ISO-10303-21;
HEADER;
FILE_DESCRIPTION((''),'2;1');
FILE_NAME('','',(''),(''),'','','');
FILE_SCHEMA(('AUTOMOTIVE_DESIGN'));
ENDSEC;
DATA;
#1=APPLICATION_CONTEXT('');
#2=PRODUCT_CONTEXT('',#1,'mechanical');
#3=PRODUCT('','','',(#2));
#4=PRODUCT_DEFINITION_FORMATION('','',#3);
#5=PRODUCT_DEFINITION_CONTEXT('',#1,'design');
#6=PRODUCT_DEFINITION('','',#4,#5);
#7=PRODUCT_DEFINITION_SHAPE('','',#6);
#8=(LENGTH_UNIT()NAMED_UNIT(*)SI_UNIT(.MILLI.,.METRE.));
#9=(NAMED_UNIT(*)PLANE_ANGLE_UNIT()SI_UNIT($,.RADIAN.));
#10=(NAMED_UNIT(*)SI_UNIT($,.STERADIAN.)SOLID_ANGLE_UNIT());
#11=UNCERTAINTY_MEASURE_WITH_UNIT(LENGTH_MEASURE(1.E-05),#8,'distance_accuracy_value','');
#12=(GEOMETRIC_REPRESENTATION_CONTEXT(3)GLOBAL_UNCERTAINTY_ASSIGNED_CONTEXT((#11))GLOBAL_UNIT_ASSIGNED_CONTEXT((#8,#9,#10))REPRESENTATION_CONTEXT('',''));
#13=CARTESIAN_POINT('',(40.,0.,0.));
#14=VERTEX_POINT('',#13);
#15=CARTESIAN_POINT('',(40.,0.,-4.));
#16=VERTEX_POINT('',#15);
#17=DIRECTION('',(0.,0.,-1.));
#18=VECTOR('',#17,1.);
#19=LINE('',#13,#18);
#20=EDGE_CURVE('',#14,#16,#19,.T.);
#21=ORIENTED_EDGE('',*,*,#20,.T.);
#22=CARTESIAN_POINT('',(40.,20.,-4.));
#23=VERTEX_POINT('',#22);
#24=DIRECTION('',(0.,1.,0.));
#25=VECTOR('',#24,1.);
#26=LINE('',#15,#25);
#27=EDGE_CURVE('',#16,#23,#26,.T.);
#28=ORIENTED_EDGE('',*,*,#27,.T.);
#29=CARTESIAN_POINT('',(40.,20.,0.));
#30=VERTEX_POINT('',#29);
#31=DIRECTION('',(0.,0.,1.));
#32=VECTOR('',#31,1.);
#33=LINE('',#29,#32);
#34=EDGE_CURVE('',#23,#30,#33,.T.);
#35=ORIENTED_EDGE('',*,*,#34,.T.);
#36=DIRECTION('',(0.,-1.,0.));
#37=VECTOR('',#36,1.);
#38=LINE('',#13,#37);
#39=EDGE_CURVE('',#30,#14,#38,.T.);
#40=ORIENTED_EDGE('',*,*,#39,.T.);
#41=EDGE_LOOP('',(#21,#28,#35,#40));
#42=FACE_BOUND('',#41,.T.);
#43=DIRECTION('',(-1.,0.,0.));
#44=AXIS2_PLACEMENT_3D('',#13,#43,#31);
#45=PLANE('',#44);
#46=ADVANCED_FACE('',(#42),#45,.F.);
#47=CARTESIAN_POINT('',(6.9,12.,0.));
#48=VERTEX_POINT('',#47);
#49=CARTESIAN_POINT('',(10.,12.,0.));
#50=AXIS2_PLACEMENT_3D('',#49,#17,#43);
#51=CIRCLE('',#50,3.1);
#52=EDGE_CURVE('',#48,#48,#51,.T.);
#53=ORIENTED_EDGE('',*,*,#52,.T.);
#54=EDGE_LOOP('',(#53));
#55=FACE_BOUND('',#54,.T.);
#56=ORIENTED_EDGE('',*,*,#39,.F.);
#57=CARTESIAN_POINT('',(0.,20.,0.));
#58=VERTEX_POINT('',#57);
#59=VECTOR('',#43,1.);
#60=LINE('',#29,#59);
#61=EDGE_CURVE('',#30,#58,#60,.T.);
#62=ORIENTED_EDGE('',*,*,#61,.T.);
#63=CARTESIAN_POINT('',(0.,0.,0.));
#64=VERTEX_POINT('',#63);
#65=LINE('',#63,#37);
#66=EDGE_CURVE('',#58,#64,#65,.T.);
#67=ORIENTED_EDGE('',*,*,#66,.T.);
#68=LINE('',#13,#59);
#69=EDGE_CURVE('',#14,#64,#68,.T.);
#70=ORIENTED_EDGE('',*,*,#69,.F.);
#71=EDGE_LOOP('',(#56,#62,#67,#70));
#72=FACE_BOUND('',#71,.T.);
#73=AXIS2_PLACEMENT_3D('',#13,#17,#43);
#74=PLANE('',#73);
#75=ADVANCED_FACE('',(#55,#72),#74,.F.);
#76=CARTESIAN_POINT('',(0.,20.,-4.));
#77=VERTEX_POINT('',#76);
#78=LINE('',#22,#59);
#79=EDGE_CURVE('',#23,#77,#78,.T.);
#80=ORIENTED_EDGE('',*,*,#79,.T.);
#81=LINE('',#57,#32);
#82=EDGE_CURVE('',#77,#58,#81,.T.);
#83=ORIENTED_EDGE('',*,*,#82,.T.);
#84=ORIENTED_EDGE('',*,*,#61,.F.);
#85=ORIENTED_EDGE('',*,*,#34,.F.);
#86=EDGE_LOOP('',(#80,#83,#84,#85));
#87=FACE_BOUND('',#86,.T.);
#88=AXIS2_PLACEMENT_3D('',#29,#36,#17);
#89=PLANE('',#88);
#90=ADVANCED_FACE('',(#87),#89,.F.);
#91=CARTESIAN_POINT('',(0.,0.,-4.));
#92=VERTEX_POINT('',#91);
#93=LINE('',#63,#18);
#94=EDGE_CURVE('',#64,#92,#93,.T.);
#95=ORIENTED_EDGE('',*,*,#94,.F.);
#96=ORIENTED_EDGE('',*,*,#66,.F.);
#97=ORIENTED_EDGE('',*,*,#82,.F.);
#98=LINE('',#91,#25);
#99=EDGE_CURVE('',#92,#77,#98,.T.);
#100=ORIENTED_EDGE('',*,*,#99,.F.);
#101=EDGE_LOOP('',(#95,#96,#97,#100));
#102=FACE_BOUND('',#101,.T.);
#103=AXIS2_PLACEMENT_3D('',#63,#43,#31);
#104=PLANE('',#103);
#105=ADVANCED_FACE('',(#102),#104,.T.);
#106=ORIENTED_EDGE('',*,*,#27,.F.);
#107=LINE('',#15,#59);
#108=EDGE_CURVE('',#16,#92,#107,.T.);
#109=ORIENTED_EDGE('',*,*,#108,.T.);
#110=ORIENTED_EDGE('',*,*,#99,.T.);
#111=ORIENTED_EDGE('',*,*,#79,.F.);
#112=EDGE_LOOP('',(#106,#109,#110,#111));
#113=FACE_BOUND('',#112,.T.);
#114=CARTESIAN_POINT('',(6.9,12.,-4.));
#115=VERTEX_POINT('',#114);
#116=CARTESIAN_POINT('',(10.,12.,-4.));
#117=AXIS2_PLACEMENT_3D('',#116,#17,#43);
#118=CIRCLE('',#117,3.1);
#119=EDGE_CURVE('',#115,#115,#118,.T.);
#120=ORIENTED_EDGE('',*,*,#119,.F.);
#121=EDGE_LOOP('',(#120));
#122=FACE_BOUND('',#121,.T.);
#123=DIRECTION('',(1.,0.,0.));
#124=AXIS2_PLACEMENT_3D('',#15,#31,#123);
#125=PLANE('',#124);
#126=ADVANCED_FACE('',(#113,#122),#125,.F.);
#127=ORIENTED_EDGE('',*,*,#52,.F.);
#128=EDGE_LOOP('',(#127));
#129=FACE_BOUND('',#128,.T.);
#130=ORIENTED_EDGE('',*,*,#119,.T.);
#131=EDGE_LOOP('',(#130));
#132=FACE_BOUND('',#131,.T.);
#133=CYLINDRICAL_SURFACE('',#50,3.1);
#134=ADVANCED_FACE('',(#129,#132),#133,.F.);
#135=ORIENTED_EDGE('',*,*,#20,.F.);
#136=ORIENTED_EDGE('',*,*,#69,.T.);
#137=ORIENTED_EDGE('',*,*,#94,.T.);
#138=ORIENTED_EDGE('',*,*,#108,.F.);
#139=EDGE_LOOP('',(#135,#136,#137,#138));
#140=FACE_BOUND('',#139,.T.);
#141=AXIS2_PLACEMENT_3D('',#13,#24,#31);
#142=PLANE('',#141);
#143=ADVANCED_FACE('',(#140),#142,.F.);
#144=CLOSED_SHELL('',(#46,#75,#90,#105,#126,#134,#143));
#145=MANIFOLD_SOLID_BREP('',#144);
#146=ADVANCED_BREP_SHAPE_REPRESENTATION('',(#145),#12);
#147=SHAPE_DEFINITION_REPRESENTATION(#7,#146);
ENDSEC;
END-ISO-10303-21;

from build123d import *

# Parameters (mm, degrees)
SKETCH_1_W          = 4
SKETCH_1_H          = 20
EXTRUDE_1_DEPTH     = 40
SKETCH_2_R          = 3.1
CUT_EXTRUDE_1_DEPTH = 5


with BuildPart() as part:
    # Эскиз1 → Бобышка-Вытянуть1 (new body)
    with BuildSketch(Plane(origin=(0, 0, 0), x_dir=(0, 0, -1), z_dir=(1, 0, 0))):
        with Locations((2, 10)):
            Rectangle(SKETCH_1_W, SKETCH_1_H)
    extrude(amount=EXTRUDE_1_DEPTH)

    # Эскиз2 → Вырез-Вытянуть1 (cut, through all)
    with BuildSketch(Plane(origin=(0, 0, -4), x_dir=(-1, 0, 0), z_dir=(0, 0, -1))):
        with Locations((-10, 12)):
            Circle(SKETCH_2_R)
    extrude(amount=-CUT_EXTRUDE_1_DEPTH, mode=Mode.SUBTRACT)


solid = part.part
